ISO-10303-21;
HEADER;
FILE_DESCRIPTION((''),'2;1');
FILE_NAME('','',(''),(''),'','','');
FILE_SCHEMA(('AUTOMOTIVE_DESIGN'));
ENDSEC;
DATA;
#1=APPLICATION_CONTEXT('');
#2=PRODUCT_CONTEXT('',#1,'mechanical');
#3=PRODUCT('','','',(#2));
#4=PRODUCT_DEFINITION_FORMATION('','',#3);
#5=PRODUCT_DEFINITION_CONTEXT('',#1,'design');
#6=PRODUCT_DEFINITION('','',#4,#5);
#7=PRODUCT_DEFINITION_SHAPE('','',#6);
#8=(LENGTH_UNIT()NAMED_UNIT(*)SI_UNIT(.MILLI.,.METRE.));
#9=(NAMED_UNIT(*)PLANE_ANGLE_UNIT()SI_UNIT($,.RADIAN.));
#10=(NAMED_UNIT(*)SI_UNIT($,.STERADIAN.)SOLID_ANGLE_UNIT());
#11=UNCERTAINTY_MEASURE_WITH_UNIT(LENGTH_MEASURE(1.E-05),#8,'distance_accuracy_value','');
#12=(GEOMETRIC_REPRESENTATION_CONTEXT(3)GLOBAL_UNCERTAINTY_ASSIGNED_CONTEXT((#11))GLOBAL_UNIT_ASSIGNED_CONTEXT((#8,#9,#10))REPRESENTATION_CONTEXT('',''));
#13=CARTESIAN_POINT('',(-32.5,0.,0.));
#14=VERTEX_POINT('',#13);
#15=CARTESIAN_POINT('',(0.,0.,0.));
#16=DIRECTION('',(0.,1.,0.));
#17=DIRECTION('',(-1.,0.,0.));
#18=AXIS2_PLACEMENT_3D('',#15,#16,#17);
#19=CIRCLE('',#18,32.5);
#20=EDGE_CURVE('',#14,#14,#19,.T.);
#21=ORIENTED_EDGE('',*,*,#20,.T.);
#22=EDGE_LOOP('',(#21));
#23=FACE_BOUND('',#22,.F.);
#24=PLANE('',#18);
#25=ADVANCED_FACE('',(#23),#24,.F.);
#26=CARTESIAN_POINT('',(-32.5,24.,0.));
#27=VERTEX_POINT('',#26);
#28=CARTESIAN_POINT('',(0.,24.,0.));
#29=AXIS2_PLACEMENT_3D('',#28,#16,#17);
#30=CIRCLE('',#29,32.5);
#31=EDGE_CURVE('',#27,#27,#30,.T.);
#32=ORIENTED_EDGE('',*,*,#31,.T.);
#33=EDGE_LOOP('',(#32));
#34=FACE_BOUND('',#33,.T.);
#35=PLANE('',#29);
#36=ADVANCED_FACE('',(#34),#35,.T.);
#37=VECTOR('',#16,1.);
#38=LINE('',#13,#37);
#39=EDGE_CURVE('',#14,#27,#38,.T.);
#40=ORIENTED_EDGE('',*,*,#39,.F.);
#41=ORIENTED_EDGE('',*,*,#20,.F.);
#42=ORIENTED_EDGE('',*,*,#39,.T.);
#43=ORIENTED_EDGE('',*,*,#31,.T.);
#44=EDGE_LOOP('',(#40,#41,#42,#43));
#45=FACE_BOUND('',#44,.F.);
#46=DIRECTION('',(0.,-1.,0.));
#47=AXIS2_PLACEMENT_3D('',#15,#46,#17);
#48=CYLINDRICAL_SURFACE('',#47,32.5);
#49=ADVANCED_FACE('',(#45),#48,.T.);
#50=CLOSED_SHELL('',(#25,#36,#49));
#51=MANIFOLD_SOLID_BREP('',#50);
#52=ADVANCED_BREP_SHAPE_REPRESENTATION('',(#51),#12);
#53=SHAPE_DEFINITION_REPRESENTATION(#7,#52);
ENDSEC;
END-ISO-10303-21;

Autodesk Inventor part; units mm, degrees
ref_plane "YZ Plane" through (0, 0, 0) normal (1, 0, 0) x (0, 1, 0)
ref_plane "XZ Plane" through (0, 0, 0) normal (0, 1, 0) x (-1, 0, 0)
ref_plane "XY Plane" through (0, 0, 0) normal (0, 0, 1) x (1, 0, 0)
sketch "Sketch1" plane through (0, 0, 0) normal (0, 1, 0) x (-1, 0, 0)
  circle A0 centre (0, 0) radius 32.5
  dimension "d0" = 65
extrude "Extrusion1" add sketch "Sketch1" along normal blind 24
properties part number "wheel"
